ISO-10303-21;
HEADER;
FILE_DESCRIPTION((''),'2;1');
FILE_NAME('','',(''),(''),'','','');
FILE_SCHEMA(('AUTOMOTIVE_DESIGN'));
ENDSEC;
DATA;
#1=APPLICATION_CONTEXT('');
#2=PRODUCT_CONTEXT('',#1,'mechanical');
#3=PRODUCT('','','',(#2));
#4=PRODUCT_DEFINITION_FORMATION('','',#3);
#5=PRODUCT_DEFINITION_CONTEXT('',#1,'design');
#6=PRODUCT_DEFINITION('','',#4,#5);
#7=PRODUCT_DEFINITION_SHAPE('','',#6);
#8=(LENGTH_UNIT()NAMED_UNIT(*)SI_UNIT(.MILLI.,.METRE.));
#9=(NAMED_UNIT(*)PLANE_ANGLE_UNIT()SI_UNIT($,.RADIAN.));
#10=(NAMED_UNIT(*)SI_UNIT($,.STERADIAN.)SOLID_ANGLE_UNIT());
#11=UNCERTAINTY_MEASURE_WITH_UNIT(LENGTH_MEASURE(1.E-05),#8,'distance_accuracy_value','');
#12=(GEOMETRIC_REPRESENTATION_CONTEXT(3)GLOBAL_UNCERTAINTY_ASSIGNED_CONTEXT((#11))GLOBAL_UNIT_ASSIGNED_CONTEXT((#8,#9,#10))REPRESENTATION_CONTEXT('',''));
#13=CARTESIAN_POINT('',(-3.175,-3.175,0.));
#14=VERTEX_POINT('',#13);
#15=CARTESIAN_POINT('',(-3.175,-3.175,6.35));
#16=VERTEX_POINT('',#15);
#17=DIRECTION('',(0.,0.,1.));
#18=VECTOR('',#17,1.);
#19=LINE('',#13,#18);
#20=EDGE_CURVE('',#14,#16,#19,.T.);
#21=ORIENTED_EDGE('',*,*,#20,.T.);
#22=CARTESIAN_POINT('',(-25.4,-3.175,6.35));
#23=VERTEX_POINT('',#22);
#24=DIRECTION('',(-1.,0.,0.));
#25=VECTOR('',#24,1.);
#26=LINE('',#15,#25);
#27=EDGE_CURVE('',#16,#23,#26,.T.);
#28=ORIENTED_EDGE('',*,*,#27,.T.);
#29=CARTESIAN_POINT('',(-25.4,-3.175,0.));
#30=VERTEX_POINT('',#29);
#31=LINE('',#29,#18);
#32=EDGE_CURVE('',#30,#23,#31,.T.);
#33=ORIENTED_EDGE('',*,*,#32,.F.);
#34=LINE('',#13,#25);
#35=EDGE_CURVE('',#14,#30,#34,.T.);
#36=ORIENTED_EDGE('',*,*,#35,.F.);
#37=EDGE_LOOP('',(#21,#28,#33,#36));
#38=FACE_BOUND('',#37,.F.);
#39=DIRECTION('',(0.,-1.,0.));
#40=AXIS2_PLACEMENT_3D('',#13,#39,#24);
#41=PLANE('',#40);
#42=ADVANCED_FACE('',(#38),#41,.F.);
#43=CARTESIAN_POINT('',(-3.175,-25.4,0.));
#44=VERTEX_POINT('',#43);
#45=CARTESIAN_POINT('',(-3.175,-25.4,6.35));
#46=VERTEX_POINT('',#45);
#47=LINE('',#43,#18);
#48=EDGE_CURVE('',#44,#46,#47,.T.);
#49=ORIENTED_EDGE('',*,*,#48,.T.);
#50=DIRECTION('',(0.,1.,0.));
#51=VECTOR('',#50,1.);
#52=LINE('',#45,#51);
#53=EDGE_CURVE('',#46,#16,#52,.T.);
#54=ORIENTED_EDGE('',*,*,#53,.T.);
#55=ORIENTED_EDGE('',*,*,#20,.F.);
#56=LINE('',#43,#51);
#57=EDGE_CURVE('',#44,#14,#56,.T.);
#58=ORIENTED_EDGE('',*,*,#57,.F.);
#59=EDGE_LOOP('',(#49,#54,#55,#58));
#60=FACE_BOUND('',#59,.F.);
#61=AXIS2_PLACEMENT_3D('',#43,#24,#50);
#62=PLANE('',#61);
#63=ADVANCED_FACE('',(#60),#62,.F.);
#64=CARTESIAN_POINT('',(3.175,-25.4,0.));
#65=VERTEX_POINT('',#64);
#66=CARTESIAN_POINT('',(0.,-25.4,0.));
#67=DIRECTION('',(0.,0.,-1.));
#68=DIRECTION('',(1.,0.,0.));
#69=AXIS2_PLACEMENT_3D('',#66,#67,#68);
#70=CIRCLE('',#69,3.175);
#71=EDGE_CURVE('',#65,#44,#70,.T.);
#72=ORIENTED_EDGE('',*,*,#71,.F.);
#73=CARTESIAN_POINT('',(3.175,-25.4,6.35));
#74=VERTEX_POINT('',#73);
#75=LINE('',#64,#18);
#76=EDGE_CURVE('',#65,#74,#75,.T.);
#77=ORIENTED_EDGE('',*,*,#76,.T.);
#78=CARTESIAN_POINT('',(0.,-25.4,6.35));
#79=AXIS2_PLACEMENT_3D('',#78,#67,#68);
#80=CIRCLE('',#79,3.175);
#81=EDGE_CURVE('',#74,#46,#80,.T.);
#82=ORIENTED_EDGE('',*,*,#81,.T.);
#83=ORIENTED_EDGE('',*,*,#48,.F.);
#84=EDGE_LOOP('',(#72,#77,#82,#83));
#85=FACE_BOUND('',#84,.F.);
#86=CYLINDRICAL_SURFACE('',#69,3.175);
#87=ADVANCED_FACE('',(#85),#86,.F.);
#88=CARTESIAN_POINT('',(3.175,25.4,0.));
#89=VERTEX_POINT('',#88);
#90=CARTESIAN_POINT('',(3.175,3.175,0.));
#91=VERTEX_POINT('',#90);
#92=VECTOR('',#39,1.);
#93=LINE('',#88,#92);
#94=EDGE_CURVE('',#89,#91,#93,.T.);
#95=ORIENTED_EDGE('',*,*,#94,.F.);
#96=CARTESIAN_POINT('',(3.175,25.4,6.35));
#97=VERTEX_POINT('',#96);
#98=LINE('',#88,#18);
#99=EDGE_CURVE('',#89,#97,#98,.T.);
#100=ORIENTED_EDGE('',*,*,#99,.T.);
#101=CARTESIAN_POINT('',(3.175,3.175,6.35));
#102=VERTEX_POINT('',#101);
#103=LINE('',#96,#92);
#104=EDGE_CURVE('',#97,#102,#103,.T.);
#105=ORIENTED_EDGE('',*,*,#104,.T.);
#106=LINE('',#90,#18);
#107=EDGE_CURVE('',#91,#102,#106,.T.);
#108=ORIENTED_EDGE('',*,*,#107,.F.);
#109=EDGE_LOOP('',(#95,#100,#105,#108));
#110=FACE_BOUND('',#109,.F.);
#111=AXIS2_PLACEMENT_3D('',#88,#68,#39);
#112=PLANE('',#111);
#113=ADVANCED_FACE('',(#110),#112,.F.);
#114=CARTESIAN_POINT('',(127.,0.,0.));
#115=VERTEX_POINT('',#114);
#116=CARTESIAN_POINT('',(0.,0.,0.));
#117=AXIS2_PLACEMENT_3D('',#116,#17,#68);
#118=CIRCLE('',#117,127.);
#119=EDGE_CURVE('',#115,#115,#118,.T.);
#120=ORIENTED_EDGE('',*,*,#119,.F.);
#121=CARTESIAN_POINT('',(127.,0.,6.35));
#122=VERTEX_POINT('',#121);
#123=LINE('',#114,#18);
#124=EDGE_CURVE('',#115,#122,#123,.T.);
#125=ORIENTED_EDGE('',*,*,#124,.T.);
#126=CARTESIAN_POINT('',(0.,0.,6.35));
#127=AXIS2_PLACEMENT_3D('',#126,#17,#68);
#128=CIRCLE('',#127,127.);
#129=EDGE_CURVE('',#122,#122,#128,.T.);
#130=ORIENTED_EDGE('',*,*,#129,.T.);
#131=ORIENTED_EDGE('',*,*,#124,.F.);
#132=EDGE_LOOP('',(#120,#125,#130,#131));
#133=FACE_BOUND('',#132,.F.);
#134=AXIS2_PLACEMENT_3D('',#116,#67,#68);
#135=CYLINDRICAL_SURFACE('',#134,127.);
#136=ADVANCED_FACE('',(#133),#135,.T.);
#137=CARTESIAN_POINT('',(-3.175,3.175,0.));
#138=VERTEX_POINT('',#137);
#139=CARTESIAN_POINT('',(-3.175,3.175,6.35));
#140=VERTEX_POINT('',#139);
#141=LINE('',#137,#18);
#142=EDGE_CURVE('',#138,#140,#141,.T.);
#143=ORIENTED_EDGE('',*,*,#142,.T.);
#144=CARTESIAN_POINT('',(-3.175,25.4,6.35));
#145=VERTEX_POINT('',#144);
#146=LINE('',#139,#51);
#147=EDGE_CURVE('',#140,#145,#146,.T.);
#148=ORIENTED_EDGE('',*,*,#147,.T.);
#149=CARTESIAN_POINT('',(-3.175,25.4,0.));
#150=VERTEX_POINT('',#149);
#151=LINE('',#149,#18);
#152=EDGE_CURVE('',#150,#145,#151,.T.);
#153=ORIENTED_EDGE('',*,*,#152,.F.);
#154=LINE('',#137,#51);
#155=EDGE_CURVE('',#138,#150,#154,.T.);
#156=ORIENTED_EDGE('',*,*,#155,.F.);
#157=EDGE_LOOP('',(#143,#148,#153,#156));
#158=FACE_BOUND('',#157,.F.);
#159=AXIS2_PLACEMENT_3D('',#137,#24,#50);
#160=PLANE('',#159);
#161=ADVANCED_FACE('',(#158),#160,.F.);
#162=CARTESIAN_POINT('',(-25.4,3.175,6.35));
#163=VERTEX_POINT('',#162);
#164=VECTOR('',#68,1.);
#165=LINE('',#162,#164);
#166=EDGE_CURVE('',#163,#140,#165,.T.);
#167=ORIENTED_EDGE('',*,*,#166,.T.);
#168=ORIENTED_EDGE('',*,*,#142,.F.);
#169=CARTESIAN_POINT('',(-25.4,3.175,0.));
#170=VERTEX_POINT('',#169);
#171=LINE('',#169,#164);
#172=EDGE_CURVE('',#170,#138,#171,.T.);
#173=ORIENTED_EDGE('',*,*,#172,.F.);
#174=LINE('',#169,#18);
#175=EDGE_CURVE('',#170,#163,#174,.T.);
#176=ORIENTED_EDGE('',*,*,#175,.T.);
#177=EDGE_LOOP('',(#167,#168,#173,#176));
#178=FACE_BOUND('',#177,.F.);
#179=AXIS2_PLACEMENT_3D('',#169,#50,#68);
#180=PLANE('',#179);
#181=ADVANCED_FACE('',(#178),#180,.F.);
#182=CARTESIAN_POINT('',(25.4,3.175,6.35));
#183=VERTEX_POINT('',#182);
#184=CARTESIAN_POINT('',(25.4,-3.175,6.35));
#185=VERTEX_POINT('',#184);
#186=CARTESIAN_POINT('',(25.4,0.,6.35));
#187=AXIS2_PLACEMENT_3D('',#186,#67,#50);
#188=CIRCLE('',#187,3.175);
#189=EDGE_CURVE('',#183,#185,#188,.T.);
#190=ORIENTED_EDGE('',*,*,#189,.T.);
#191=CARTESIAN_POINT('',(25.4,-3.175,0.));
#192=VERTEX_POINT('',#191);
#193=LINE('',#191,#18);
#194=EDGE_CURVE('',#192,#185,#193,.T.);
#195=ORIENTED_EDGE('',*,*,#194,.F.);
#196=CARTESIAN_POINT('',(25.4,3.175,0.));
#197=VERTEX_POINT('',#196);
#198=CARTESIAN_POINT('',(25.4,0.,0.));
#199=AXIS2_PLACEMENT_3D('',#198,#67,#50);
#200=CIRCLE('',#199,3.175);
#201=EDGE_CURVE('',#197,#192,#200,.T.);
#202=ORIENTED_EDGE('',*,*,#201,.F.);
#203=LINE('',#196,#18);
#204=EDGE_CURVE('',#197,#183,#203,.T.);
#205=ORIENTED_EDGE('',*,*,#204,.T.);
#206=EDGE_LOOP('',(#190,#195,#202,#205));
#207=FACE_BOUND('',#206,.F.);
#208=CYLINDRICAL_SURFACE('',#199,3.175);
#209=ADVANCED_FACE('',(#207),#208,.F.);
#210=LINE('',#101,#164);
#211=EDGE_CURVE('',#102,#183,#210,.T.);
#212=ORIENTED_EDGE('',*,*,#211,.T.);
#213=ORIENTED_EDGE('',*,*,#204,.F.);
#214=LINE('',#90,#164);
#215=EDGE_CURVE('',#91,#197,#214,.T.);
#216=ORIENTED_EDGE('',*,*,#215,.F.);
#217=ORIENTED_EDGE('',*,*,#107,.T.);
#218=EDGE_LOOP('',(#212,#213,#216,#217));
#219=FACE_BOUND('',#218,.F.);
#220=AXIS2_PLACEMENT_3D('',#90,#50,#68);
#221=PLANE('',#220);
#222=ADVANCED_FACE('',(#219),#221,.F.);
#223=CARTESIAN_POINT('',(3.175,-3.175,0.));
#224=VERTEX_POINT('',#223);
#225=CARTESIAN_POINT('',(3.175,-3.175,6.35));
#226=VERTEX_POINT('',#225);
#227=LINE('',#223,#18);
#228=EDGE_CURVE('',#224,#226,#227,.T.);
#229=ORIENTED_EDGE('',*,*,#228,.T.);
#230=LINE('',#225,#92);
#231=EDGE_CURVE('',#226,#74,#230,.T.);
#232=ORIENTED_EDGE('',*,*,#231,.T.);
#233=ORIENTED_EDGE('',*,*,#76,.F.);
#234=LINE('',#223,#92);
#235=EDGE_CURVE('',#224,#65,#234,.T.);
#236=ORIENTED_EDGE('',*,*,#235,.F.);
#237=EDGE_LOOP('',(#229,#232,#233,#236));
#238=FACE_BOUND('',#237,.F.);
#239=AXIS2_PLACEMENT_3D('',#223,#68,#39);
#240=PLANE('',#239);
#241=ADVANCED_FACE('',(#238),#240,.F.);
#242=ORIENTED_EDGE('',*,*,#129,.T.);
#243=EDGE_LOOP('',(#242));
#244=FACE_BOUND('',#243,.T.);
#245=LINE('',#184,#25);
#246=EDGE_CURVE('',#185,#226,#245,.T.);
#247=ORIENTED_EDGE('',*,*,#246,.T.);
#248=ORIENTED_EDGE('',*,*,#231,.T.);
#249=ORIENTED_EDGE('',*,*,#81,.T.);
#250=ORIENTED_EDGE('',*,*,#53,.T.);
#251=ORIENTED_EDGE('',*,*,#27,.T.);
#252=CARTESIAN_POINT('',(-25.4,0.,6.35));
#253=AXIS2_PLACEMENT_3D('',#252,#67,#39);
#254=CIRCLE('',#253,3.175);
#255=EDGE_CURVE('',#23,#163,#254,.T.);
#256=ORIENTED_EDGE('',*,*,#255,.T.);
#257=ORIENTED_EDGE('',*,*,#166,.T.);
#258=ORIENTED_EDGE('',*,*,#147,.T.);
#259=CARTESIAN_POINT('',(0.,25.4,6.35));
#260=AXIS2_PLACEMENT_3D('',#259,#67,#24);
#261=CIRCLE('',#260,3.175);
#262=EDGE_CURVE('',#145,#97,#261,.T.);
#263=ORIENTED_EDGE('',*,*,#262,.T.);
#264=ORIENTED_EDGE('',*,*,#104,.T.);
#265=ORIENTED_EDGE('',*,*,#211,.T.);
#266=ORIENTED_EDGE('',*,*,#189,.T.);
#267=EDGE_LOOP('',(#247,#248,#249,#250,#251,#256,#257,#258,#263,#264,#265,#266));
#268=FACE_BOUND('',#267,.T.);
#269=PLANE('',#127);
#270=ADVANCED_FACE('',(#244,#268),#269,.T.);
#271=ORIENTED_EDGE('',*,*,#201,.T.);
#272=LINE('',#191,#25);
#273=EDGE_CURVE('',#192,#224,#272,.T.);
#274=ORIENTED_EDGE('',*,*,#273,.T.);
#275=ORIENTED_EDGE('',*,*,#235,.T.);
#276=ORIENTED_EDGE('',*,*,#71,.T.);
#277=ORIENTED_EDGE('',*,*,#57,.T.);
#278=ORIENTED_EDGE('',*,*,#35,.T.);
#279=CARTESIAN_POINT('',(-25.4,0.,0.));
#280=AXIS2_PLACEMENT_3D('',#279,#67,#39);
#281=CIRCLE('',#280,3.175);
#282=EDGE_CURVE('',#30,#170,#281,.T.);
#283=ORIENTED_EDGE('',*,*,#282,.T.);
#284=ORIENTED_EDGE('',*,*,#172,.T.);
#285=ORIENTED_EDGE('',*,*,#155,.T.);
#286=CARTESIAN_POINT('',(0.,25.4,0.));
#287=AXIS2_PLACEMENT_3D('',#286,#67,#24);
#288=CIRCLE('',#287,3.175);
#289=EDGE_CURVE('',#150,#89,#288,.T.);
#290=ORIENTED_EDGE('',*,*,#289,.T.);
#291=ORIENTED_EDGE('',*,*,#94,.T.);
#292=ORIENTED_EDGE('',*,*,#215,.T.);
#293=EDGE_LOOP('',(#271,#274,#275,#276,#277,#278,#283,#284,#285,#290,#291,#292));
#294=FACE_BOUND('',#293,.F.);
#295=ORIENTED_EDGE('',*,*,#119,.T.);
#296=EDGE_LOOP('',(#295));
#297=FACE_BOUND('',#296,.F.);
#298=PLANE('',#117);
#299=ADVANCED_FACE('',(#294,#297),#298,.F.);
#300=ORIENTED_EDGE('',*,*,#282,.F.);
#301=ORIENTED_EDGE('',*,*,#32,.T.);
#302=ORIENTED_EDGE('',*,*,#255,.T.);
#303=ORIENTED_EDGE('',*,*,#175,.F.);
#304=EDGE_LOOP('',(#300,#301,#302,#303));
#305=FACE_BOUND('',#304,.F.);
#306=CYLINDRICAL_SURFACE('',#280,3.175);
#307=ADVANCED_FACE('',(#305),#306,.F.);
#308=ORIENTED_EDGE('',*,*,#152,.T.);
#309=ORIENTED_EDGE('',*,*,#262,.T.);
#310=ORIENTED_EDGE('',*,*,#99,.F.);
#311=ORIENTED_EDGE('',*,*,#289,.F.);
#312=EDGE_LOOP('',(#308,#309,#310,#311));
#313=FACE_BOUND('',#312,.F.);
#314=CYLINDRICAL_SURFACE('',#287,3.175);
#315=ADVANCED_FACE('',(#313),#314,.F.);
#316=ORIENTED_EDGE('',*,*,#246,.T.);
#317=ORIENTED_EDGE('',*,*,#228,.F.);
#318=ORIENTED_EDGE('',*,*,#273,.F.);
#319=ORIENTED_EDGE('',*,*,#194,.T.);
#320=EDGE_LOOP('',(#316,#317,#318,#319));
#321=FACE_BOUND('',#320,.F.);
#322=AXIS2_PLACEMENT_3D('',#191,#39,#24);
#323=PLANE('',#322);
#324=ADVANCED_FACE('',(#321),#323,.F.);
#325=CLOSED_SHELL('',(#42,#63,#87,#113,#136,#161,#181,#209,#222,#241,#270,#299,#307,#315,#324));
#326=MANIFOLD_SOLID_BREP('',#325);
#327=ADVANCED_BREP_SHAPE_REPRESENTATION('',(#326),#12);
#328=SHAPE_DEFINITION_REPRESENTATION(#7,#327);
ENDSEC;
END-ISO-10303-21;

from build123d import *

# Parameters (mm, degrees)
F0_R     = 127
F1_DEPTH = 6.35


with BuildPart() as f1:
    # F0 (on Top) → F1 (new body)
    with BuildSketch(Plane.XY):
        Circle(F0_R)
        with BuildLine():
            Line((-3.175, -25.4), (-3.175, -3.175))
            Line((-3.175, -3.175), (-25.4, -3.175))
            ThreePointArc((-25.4, -3.175), (-28.575, 0), (-25.4, 3.175))
            Line((-25.4, 3.175), (-3.175, 3.175))
            Line((-3.175, 3.175), (-3.175, 25.4))
            ThreePointArc((-3.175, 25.4), (0, 28.575), (3.175, 25.4))
            Line((3.175, 25.4), (3.175, 3.175))
            Line((3.175, 3.175), (25.4, 3.175))
            ThreePointArc((25.4, 3.175), (28.575, 0), (25.4, -3.175))
            Line((25.4, -3.175), (3.175, -3.175))
            Line((3.175, -3.175), (3.175, -25.4))
            ThreePointArc((3.175, -25.4), (0, -28.575), (-3.175, -25.4))
        make_face(mode=Mode.SUBTRACT)
    extrude(amount=F1_DEPTH)


solid = f1.part
